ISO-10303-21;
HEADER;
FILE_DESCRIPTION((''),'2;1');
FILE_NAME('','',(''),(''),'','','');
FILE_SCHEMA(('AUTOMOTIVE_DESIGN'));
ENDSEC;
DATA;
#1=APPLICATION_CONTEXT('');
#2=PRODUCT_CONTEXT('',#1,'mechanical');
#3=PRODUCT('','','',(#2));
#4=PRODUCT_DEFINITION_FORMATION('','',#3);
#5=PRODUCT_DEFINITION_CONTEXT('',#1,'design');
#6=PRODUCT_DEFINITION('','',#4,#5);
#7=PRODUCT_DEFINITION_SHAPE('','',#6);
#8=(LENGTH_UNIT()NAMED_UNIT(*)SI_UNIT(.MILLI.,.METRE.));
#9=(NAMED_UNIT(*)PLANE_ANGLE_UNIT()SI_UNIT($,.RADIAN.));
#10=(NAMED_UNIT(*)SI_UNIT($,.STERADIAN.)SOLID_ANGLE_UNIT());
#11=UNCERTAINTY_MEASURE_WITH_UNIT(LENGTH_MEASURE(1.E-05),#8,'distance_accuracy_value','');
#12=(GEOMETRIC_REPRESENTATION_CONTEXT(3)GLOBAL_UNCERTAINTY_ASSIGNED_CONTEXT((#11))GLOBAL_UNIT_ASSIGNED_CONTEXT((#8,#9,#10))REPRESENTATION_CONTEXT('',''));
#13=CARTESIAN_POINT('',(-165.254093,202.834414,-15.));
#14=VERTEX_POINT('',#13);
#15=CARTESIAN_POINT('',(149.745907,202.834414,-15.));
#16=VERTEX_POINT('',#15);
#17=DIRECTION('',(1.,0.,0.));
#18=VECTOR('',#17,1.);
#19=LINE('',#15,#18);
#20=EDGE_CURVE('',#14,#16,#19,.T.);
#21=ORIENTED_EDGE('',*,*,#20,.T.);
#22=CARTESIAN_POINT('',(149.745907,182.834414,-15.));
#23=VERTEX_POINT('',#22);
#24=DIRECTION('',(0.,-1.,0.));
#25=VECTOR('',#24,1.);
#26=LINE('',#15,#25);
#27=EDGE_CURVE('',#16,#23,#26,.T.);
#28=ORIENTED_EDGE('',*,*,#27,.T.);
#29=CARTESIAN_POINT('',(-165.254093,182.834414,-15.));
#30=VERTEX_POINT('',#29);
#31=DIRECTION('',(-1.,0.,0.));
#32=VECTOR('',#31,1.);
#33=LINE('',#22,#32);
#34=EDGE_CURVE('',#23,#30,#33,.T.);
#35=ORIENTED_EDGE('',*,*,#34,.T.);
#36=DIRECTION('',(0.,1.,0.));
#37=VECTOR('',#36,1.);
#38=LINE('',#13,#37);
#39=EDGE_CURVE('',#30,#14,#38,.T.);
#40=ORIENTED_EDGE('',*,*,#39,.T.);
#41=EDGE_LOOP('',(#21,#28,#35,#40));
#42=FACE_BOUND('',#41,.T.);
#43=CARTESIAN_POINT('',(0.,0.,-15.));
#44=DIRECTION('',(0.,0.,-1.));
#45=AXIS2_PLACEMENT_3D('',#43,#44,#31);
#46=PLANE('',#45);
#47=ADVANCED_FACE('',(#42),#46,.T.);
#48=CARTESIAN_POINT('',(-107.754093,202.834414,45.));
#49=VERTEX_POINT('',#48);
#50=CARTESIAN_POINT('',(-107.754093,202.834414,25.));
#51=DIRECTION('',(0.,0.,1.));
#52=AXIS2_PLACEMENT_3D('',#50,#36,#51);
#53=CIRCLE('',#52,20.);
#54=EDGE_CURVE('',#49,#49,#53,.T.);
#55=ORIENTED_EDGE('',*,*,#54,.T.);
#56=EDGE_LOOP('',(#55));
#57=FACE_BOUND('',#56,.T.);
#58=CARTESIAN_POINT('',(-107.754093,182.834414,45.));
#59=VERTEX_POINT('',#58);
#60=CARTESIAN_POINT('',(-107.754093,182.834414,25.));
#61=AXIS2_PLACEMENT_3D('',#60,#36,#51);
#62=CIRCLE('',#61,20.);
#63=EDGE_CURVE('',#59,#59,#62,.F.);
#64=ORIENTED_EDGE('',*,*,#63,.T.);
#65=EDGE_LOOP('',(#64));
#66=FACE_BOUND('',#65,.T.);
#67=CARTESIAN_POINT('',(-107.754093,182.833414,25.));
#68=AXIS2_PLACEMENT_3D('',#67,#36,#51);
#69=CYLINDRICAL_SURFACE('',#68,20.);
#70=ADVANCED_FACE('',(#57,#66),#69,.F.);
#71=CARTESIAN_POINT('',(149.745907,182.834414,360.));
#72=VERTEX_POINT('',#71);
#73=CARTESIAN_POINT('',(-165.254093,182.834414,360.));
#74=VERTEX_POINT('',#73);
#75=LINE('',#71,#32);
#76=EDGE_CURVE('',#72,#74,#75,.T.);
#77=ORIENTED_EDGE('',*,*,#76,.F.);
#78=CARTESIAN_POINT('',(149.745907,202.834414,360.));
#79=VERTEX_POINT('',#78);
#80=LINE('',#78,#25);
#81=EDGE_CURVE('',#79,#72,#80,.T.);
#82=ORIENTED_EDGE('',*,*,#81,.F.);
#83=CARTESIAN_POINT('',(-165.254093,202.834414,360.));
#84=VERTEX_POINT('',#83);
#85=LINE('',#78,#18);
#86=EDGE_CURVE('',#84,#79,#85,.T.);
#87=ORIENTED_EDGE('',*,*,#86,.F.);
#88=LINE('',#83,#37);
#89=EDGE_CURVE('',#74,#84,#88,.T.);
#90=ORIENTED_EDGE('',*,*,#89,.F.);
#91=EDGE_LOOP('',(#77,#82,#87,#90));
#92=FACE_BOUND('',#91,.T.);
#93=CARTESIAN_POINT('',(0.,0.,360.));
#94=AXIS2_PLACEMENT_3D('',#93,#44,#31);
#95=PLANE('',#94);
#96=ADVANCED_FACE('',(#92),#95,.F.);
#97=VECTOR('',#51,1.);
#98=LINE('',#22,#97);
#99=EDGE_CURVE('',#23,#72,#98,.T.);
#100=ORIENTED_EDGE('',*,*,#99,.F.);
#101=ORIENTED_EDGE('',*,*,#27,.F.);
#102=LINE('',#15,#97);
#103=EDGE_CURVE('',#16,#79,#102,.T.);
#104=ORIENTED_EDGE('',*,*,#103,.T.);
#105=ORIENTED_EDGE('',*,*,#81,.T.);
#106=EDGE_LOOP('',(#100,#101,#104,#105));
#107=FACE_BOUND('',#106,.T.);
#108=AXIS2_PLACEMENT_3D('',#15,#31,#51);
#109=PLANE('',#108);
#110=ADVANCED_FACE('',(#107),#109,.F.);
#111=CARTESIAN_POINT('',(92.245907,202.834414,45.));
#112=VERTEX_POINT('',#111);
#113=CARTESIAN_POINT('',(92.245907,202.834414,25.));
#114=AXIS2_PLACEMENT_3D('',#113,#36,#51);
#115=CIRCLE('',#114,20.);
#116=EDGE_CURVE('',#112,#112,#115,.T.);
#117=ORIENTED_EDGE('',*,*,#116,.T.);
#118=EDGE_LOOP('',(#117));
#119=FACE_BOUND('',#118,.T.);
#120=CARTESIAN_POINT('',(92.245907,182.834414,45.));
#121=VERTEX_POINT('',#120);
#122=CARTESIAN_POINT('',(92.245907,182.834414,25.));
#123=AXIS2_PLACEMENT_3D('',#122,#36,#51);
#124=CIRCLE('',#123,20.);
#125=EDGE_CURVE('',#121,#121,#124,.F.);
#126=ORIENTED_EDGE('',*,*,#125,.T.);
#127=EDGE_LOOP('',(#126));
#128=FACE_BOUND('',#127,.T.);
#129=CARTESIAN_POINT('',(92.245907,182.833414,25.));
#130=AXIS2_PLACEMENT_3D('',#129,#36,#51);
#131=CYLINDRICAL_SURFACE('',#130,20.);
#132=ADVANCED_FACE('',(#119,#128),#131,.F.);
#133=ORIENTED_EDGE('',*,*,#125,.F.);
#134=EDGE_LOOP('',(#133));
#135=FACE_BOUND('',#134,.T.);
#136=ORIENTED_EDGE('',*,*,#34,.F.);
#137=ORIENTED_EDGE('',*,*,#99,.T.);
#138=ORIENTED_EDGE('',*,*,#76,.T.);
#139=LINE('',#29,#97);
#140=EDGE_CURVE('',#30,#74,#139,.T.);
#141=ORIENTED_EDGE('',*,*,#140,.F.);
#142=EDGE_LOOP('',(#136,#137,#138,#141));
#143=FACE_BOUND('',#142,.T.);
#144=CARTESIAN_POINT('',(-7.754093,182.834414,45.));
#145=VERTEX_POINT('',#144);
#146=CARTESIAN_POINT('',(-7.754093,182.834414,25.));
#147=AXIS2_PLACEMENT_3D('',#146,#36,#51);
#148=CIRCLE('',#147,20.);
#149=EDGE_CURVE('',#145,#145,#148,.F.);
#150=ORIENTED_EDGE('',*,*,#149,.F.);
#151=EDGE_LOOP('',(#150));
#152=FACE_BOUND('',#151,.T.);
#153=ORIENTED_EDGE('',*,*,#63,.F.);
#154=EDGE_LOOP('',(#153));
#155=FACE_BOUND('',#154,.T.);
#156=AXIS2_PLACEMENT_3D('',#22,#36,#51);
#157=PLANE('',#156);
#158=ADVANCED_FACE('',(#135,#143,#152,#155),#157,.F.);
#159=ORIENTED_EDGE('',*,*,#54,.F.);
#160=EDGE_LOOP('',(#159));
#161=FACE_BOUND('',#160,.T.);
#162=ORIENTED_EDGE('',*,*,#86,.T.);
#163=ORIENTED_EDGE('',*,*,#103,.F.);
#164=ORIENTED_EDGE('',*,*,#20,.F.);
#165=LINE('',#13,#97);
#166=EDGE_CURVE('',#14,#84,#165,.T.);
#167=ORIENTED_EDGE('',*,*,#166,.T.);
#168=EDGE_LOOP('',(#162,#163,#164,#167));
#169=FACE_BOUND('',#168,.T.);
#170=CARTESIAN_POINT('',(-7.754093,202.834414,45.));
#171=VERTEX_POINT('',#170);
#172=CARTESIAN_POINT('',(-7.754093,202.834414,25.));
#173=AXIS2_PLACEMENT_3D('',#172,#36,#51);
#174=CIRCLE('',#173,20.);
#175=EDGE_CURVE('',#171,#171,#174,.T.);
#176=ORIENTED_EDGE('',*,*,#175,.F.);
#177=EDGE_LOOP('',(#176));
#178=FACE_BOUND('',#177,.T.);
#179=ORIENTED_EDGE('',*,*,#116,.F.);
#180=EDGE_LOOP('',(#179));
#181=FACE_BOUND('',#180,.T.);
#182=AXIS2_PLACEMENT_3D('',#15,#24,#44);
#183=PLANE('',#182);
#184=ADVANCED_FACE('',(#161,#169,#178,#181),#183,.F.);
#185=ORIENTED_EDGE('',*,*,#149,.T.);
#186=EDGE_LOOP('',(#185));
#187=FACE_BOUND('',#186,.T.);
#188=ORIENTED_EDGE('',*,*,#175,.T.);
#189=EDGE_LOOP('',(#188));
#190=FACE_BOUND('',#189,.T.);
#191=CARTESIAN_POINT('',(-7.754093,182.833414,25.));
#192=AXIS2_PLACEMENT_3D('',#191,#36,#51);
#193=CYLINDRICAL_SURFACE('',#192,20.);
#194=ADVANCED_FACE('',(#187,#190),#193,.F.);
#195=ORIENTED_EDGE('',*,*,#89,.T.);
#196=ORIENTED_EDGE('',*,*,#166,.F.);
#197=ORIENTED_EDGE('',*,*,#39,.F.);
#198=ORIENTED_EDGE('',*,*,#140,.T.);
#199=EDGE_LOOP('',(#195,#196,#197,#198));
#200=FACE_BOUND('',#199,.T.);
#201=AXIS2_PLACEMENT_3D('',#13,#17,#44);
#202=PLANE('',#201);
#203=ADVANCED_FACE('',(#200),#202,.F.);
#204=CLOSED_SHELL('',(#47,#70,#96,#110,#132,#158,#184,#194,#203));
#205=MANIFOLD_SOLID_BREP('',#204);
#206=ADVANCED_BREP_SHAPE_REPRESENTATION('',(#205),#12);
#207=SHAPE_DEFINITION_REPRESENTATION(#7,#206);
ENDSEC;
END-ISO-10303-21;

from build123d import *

# Parameters (mm, degrees)
CROQUIS2_W              = 315
CROQUIS2_H              = 20
SALIENTE_EXTRUIR1_DEPTH = 375
CORTAR_EXTRUIR1_REACH   = 398.622
CROQUIS3_R              = 20


with BuildPart() as part:
    # Croquis2 → Saliente-Extruir1 (new body)
    with BuildSketch(Plane(origin=(0, 0, 360), x_dir=(-1, 0, 0), z_dir=(0, 0, -1))):
        with Locations((7.754092983, 192.834413862)):
            Rectangle(CROQUIS2_W, CROQUIS2_H)
    extrude(amount=SALIENTE_EXTRUIR1_DEPTH)

    # Croquis3 → Cortar-Extruir1 (cut, up to next)
    with BuildSketch(Plane(origin=(0, 202.834413862, 0), x_dir=(1, 0, 0), z_dir=(0, 1, 0)), mode=Mode.PRIVATE) as cortar_extruir1_sk1:
        with Locations(Location((-107.754092983, -25, 0), (0, 0, 270))):
            Circle(CROQUIS3_R)
    cortar_extruir1_tool1 = extrude(cortar_extruir1_sk1.sketch, amount=-CORTAR_EXTRUIR1_REACH, mode=Mode.PRIVATE) & part.part
    # Croquis3 → Cortar-Extruir1 (cut, up to next)
    with BuildSketch(Plane(origin=(0, 202.834413862, 0), x_dir=(1, 0, 0), z_dir=(0, 1, 0)), mode=Mode.PRIVATE) as cortar_extruir1_sk2:
        with Locations(Location((-7.754092983, -25, 0), (0, 0, 270))):
            Circle(CROQUIS3_R)
    cortar_extruir1_tool2 = extrude(cortar_extruir1_sk2.sketch, amount=-CORTAR_EXTRUIR1_REACH, mode=Mode.PRIVATE) & part.part
    # Croquis3 → Cortar-Extruir1 (cut, up to next)
    with BuildSketch(Plane(origin=(0, 202.834413862, 0), x_dir=(1, 0, 0), z_dir=(0, 1, 0)), mode=Mode.PRIVATE) as cortar_extruir1_sk3:
        with Locations(Location((92.245907017, -25, 0), (0, 0, 270))):
            Circle(CROQUIS3_R)
    cortar_extruir1_tool3 = extrude(cortar_extruir1_sk3.sketch, amount=-CORTAR_EXTRUIR1_REACH, mode=Mode.PRIVATE) & part.part
    add(cortar_extruir1_tool1.solids().sort_by_distance((-107.754093, 202.834414, 25))[0], mode=Mode.SUBTRACT)
    add(cortar_extruir1_tool2.solids().sort_by_distance((-7.754093, 202.834414, 25))[0], mode=Mode.SUBTRACT)
    add(cortar_extruir1_tool3.solids().sort_by_distance((92.245907, 202.834414, 25))[0], mode=Mode.SUBTRACT)


solid = part.part
